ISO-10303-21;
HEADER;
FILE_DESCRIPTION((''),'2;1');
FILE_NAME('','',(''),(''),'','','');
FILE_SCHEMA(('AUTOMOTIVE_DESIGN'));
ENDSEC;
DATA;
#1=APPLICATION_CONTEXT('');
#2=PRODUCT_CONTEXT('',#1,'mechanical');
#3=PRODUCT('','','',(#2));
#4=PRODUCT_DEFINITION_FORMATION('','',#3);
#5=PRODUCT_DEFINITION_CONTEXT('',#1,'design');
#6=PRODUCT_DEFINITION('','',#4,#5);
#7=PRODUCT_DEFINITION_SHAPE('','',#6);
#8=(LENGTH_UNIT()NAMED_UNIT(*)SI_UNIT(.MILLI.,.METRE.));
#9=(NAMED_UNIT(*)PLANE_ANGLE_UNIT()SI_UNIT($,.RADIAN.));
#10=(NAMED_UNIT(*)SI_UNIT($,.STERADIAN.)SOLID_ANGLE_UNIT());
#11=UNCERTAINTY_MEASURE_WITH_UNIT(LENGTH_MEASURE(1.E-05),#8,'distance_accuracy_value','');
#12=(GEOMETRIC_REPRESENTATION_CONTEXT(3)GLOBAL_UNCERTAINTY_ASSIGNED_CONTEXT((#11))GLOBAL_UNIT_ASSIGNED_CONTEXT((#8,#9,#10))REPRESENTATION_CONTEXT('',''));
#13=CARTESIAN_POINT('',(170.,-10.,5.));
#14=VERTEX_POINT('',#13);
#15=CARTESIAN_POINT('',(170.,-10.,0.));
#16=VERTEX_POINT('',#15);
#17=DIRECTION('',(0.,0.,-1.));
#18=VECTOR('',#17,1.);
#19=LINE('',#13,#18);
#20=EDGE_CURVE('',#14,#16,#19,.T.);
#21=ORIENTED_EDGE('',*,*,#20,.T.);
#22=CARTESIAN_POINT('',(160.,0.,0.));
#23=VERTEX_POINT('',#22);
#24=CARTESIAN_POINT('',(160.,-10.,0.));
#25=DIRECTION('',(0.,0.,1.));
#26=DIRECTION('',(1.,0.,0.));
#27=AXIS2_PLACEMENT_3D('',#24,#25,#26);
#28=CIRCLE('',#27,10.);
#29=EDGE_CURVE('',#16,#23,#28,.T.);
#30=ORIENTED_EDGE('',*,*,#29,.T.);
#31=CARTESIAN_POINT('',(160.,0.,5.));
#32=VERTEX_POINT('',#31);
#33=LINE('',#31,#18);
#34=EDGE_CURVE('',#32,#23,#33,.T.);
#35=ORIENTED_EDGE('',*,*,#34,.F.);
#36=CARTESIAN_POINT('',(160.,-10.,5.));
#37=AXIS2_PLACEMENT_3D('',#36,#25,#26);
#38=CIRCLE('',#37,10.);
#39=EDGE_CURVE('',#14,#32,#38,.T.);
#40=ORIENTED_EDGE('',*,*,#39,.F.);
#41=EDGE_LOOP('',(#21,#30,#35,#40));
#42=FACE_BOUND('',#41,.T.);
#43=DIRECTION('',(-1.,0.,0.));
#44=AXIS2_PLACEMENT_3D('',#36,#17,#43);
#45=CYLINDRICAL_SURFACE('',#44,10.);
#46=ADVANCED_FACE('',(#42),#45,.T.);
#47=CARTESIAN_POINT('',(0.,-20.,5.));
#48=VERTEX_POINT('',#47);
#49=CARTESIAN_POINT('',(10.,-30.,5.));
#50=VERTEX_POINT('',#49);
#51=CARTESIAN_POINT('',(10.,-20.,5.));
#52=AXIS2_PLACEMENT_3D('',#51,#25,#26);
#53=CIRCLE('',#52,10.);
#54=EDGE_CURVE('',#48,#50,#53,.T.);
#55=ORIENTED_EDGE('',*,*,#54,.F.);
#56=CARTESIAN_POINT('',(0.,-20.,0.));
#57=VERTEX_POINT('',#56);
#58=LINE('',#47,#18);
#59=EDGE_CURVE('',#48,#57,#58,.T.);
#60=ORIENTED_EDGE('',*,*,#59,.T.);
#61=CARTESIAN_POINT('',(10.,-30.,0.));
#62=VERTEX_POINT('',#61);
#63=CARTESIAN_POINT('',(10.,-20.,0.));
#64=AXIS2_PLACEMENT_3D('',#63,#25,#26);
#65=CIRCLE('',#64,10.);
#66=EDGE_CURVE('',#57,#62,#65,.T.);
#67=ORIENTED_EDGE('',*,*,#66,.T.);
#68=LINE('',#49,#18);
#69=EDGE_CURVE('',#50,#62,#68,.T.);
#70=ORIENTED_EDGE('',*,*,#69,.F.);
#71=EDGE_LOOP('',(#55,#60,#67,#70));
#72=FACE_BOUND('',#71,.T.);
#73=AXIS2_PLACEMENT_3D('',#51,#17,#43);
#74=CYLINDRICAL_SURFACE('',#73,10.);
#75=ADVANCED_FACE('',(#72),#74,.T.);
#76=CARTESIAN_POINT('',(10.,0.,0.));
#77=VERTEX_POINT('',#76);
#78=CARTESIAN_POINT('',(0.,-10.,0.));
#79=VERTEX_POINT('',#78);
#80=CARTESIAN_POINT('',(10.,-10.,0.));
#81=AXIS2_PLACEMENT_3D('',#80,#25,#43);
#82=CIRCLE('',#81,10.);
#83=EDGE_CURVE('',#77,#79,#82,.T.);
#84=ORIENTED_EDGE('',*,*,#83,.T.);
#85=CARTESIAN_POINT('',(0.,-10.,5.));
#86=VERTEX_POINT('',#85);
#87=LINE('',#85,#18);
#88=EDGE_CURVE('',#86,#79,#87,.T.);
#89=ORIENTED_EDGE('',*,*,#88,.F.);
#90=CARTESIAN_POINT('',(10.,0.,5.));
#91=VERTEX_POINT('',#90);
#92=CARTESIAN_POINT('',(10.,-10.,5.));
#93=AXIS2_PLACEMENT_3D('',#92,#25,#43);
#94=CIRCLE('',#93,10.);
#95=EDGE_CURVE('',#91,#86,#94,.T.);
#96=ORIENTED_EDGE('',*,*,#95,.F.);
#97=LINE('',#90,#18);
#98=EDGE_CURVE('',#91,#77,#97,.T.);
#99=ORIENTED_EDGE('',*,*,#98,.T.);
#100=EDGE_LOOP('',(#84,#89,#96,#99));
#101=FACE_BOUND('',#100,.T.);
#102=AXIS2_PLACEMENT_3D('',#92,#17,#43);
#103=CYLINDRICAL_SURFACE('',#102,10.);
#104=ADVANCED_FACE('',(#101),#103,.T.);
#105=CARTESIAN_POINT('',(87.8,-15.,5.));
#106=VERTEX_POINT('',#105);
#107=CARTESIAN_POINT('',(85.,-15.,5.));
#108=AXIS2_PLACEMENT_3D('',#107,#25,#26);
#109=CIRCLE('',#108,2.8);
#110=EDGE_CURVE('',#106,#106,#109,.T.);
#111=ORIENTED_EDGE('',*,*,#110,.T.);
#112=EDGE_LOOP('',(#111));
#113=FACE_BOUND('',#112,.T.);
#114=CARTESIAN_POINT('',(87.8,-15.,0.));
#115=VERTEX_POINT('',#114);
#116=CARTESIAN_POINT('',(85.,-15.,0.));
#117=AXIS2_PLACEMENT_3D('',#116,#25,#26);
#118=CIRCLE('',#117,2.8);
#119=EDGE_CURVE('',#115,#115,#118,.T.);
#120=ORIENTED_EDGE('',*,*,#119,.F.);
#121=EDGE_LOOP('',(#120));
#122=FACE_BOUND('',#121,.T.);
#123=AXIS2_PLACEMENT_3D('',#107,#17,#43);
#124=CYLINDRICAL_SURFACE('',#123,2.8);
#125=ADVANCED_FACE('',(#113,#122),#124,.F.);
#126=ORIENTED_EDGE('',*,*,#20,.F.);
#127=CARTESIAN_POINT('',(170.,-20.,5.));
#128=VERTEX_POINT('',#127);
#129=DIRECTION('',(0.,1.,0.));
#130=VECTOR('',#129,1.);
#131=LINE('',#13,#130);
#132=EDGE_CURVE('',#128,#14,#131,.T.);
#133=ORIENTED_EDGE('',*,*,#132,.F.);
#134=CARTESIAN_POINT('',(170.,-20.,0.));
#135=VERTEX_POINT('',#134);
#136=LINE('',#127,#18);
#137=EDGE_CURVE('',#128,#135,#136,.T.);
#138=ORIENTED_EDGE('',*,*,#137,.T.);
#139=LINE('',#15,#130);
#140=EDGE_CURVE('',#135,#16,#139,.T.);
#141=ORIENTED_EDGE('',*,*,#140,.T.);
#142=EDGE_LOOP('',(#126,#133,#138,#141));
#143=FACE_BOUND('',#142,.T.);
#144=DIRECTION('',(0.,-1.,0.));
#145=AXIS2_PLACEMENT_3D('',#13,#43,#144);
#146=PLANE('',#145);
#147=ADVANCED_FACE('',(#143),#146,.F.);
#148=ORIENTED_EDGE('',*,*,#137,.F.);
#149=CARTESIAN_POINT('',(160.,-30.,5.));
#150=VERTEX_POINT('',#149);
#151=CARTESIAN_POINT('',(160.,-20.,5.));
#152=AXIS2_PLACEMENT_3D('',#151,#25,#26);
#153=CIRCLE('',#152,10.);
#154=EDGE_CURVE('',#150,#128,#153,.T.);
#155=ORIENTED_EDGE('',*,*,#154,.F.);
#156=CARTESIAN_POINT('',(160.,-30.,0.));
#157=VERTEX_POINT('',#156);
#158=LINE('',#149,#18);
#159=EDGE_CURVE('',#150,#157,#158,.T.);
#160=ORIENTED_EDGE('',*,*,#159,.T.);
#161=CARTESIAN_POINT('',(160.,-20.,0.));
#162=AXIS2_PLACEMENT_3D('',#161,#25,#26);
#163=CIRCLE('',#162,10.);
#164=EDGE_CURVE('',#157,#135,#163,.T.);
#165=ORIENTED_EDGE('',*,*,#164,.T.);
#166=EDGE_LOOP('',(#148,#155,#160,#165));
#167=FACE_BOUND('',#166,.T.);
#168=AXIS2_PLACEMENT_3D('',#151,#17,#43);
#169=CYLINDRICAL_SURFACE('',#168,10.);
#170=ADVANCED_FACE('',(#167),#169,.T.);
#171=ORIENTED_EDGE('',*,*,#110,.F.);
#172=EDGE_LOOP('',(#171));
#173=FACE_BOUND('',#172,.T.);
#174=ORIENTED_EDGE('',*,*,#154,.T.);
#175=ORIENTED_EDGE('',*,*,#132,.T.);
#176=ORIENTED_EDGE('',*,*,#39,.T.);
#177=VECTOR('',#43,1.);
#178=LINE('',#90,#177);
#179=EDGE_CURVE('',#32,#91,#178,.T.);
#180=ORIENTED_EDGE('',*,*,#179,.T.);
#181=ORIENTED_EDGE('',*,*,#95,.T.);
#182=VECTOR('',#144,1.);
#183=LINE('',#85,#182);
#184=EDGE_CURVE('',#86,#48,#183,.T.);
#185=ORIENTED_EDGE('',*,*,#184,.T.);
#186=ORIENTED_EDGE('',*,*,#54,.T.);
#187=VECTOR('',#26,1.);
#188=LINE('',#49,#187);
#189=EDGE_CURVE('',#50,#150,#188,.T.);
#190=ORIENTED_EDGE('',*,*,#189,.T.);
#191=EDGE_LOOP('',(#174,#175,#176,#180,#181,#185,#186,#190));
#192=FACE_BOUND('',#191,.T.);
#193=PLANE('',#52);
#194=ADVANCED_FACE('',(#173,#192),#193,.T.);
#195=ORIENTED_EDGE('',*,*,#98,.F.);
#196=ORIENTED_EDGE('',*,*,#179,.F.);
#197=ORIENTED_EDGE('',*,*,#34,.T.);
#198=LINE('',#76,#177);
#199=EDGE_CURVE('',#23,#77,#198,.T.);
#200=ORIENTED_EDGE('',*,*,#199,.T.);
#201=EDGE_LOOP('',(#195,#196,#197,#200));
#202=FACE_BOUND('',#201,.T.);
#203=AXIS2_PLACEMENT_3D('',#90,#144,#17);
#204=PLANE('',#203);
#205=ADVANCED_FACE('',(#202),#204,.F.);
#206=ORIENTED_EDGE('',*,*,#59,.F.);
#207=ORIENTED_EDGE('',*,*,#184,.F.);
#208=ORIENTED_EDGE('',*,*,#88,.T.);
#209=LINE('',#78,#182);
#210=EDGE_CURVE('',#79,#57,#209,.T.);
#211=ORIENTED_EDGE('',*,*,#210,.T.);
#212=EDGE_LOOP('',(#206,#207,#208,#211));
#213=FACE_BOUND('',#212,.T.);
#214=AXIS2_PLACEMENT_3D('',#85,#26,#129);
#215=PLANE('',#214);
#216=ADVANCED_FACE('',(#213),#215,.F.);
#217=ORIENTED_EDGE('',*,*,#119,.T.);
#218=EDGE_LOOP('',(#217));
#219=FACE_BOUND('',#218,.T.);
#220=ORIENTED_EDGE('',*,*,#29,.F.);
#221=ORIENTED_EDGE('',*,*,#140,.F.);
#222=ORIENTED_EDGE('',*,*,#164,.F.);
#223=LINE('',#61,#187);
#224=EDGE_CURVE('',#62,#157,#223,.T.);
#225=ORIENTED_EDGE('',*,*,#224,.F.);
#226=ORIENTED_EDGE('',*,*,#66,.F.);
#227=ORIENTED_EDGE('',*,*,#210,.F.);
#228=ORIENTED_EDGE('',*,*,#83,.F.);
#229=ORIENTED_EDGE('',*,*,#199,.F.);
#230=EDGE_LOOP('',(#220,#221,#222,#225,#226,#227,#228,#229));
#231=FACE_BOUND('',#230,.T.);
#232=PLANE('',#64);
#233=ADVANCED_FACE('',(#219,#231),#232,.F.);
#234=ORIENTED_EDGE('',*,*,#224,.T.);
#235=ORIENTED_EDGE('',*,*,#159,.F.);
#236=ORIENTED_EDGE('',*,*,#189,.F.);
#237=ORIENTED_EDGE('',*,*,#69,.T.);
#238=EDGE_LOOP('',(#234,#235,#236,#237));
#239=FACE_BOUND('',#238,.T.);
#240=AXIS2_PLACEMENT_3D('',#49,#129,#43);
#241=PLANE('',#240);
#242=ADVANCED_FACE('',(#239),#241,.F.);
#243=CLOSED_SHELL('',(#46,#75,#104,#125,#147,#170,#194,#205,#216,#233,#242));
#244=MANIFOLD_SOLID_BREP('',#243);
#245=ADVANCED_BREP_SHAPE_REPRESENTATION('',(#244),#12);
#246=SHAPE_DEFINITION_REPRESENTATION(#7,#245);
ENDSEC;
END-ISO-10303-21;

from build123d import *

# Parameters (mm, degrees)
ESQUISSE1_R        = 2.8
BOSS_EXTRU_1_DEPTH = 5


with BuildPart() as part:
    # Esquisse1 → Boss.-Extru.1 (new body)
    with BuildSketch(Plane.XY):
        with BuildLine():
            Line((10, 0), (160, 0))
            ThreePointArc((160, 0), (167.071067812, -2.928932188), (170, -10))
            Line((170, -10), (170, -20))
            ThreePointArc((170, -20), (167.071067812, -27.071067812), (160, -30))
            Line((160, -30), (10, -30))
            ThreePointArc((10, -30), (2.928932188, -27.071067812), (0, -20))
            Line((0, -20), (0, -10))
            ThreePointArc((0, -10), (2.928932188, -2.928932188), (10, 0))
        make_face()
        with Locations((85, -15)):
            Circle(ESQUISSE1_R, mode=Mode.SUBTRACT)
    extrude(amount=BOSS_EXTRU_1_DEPTH)


solid = part.part
